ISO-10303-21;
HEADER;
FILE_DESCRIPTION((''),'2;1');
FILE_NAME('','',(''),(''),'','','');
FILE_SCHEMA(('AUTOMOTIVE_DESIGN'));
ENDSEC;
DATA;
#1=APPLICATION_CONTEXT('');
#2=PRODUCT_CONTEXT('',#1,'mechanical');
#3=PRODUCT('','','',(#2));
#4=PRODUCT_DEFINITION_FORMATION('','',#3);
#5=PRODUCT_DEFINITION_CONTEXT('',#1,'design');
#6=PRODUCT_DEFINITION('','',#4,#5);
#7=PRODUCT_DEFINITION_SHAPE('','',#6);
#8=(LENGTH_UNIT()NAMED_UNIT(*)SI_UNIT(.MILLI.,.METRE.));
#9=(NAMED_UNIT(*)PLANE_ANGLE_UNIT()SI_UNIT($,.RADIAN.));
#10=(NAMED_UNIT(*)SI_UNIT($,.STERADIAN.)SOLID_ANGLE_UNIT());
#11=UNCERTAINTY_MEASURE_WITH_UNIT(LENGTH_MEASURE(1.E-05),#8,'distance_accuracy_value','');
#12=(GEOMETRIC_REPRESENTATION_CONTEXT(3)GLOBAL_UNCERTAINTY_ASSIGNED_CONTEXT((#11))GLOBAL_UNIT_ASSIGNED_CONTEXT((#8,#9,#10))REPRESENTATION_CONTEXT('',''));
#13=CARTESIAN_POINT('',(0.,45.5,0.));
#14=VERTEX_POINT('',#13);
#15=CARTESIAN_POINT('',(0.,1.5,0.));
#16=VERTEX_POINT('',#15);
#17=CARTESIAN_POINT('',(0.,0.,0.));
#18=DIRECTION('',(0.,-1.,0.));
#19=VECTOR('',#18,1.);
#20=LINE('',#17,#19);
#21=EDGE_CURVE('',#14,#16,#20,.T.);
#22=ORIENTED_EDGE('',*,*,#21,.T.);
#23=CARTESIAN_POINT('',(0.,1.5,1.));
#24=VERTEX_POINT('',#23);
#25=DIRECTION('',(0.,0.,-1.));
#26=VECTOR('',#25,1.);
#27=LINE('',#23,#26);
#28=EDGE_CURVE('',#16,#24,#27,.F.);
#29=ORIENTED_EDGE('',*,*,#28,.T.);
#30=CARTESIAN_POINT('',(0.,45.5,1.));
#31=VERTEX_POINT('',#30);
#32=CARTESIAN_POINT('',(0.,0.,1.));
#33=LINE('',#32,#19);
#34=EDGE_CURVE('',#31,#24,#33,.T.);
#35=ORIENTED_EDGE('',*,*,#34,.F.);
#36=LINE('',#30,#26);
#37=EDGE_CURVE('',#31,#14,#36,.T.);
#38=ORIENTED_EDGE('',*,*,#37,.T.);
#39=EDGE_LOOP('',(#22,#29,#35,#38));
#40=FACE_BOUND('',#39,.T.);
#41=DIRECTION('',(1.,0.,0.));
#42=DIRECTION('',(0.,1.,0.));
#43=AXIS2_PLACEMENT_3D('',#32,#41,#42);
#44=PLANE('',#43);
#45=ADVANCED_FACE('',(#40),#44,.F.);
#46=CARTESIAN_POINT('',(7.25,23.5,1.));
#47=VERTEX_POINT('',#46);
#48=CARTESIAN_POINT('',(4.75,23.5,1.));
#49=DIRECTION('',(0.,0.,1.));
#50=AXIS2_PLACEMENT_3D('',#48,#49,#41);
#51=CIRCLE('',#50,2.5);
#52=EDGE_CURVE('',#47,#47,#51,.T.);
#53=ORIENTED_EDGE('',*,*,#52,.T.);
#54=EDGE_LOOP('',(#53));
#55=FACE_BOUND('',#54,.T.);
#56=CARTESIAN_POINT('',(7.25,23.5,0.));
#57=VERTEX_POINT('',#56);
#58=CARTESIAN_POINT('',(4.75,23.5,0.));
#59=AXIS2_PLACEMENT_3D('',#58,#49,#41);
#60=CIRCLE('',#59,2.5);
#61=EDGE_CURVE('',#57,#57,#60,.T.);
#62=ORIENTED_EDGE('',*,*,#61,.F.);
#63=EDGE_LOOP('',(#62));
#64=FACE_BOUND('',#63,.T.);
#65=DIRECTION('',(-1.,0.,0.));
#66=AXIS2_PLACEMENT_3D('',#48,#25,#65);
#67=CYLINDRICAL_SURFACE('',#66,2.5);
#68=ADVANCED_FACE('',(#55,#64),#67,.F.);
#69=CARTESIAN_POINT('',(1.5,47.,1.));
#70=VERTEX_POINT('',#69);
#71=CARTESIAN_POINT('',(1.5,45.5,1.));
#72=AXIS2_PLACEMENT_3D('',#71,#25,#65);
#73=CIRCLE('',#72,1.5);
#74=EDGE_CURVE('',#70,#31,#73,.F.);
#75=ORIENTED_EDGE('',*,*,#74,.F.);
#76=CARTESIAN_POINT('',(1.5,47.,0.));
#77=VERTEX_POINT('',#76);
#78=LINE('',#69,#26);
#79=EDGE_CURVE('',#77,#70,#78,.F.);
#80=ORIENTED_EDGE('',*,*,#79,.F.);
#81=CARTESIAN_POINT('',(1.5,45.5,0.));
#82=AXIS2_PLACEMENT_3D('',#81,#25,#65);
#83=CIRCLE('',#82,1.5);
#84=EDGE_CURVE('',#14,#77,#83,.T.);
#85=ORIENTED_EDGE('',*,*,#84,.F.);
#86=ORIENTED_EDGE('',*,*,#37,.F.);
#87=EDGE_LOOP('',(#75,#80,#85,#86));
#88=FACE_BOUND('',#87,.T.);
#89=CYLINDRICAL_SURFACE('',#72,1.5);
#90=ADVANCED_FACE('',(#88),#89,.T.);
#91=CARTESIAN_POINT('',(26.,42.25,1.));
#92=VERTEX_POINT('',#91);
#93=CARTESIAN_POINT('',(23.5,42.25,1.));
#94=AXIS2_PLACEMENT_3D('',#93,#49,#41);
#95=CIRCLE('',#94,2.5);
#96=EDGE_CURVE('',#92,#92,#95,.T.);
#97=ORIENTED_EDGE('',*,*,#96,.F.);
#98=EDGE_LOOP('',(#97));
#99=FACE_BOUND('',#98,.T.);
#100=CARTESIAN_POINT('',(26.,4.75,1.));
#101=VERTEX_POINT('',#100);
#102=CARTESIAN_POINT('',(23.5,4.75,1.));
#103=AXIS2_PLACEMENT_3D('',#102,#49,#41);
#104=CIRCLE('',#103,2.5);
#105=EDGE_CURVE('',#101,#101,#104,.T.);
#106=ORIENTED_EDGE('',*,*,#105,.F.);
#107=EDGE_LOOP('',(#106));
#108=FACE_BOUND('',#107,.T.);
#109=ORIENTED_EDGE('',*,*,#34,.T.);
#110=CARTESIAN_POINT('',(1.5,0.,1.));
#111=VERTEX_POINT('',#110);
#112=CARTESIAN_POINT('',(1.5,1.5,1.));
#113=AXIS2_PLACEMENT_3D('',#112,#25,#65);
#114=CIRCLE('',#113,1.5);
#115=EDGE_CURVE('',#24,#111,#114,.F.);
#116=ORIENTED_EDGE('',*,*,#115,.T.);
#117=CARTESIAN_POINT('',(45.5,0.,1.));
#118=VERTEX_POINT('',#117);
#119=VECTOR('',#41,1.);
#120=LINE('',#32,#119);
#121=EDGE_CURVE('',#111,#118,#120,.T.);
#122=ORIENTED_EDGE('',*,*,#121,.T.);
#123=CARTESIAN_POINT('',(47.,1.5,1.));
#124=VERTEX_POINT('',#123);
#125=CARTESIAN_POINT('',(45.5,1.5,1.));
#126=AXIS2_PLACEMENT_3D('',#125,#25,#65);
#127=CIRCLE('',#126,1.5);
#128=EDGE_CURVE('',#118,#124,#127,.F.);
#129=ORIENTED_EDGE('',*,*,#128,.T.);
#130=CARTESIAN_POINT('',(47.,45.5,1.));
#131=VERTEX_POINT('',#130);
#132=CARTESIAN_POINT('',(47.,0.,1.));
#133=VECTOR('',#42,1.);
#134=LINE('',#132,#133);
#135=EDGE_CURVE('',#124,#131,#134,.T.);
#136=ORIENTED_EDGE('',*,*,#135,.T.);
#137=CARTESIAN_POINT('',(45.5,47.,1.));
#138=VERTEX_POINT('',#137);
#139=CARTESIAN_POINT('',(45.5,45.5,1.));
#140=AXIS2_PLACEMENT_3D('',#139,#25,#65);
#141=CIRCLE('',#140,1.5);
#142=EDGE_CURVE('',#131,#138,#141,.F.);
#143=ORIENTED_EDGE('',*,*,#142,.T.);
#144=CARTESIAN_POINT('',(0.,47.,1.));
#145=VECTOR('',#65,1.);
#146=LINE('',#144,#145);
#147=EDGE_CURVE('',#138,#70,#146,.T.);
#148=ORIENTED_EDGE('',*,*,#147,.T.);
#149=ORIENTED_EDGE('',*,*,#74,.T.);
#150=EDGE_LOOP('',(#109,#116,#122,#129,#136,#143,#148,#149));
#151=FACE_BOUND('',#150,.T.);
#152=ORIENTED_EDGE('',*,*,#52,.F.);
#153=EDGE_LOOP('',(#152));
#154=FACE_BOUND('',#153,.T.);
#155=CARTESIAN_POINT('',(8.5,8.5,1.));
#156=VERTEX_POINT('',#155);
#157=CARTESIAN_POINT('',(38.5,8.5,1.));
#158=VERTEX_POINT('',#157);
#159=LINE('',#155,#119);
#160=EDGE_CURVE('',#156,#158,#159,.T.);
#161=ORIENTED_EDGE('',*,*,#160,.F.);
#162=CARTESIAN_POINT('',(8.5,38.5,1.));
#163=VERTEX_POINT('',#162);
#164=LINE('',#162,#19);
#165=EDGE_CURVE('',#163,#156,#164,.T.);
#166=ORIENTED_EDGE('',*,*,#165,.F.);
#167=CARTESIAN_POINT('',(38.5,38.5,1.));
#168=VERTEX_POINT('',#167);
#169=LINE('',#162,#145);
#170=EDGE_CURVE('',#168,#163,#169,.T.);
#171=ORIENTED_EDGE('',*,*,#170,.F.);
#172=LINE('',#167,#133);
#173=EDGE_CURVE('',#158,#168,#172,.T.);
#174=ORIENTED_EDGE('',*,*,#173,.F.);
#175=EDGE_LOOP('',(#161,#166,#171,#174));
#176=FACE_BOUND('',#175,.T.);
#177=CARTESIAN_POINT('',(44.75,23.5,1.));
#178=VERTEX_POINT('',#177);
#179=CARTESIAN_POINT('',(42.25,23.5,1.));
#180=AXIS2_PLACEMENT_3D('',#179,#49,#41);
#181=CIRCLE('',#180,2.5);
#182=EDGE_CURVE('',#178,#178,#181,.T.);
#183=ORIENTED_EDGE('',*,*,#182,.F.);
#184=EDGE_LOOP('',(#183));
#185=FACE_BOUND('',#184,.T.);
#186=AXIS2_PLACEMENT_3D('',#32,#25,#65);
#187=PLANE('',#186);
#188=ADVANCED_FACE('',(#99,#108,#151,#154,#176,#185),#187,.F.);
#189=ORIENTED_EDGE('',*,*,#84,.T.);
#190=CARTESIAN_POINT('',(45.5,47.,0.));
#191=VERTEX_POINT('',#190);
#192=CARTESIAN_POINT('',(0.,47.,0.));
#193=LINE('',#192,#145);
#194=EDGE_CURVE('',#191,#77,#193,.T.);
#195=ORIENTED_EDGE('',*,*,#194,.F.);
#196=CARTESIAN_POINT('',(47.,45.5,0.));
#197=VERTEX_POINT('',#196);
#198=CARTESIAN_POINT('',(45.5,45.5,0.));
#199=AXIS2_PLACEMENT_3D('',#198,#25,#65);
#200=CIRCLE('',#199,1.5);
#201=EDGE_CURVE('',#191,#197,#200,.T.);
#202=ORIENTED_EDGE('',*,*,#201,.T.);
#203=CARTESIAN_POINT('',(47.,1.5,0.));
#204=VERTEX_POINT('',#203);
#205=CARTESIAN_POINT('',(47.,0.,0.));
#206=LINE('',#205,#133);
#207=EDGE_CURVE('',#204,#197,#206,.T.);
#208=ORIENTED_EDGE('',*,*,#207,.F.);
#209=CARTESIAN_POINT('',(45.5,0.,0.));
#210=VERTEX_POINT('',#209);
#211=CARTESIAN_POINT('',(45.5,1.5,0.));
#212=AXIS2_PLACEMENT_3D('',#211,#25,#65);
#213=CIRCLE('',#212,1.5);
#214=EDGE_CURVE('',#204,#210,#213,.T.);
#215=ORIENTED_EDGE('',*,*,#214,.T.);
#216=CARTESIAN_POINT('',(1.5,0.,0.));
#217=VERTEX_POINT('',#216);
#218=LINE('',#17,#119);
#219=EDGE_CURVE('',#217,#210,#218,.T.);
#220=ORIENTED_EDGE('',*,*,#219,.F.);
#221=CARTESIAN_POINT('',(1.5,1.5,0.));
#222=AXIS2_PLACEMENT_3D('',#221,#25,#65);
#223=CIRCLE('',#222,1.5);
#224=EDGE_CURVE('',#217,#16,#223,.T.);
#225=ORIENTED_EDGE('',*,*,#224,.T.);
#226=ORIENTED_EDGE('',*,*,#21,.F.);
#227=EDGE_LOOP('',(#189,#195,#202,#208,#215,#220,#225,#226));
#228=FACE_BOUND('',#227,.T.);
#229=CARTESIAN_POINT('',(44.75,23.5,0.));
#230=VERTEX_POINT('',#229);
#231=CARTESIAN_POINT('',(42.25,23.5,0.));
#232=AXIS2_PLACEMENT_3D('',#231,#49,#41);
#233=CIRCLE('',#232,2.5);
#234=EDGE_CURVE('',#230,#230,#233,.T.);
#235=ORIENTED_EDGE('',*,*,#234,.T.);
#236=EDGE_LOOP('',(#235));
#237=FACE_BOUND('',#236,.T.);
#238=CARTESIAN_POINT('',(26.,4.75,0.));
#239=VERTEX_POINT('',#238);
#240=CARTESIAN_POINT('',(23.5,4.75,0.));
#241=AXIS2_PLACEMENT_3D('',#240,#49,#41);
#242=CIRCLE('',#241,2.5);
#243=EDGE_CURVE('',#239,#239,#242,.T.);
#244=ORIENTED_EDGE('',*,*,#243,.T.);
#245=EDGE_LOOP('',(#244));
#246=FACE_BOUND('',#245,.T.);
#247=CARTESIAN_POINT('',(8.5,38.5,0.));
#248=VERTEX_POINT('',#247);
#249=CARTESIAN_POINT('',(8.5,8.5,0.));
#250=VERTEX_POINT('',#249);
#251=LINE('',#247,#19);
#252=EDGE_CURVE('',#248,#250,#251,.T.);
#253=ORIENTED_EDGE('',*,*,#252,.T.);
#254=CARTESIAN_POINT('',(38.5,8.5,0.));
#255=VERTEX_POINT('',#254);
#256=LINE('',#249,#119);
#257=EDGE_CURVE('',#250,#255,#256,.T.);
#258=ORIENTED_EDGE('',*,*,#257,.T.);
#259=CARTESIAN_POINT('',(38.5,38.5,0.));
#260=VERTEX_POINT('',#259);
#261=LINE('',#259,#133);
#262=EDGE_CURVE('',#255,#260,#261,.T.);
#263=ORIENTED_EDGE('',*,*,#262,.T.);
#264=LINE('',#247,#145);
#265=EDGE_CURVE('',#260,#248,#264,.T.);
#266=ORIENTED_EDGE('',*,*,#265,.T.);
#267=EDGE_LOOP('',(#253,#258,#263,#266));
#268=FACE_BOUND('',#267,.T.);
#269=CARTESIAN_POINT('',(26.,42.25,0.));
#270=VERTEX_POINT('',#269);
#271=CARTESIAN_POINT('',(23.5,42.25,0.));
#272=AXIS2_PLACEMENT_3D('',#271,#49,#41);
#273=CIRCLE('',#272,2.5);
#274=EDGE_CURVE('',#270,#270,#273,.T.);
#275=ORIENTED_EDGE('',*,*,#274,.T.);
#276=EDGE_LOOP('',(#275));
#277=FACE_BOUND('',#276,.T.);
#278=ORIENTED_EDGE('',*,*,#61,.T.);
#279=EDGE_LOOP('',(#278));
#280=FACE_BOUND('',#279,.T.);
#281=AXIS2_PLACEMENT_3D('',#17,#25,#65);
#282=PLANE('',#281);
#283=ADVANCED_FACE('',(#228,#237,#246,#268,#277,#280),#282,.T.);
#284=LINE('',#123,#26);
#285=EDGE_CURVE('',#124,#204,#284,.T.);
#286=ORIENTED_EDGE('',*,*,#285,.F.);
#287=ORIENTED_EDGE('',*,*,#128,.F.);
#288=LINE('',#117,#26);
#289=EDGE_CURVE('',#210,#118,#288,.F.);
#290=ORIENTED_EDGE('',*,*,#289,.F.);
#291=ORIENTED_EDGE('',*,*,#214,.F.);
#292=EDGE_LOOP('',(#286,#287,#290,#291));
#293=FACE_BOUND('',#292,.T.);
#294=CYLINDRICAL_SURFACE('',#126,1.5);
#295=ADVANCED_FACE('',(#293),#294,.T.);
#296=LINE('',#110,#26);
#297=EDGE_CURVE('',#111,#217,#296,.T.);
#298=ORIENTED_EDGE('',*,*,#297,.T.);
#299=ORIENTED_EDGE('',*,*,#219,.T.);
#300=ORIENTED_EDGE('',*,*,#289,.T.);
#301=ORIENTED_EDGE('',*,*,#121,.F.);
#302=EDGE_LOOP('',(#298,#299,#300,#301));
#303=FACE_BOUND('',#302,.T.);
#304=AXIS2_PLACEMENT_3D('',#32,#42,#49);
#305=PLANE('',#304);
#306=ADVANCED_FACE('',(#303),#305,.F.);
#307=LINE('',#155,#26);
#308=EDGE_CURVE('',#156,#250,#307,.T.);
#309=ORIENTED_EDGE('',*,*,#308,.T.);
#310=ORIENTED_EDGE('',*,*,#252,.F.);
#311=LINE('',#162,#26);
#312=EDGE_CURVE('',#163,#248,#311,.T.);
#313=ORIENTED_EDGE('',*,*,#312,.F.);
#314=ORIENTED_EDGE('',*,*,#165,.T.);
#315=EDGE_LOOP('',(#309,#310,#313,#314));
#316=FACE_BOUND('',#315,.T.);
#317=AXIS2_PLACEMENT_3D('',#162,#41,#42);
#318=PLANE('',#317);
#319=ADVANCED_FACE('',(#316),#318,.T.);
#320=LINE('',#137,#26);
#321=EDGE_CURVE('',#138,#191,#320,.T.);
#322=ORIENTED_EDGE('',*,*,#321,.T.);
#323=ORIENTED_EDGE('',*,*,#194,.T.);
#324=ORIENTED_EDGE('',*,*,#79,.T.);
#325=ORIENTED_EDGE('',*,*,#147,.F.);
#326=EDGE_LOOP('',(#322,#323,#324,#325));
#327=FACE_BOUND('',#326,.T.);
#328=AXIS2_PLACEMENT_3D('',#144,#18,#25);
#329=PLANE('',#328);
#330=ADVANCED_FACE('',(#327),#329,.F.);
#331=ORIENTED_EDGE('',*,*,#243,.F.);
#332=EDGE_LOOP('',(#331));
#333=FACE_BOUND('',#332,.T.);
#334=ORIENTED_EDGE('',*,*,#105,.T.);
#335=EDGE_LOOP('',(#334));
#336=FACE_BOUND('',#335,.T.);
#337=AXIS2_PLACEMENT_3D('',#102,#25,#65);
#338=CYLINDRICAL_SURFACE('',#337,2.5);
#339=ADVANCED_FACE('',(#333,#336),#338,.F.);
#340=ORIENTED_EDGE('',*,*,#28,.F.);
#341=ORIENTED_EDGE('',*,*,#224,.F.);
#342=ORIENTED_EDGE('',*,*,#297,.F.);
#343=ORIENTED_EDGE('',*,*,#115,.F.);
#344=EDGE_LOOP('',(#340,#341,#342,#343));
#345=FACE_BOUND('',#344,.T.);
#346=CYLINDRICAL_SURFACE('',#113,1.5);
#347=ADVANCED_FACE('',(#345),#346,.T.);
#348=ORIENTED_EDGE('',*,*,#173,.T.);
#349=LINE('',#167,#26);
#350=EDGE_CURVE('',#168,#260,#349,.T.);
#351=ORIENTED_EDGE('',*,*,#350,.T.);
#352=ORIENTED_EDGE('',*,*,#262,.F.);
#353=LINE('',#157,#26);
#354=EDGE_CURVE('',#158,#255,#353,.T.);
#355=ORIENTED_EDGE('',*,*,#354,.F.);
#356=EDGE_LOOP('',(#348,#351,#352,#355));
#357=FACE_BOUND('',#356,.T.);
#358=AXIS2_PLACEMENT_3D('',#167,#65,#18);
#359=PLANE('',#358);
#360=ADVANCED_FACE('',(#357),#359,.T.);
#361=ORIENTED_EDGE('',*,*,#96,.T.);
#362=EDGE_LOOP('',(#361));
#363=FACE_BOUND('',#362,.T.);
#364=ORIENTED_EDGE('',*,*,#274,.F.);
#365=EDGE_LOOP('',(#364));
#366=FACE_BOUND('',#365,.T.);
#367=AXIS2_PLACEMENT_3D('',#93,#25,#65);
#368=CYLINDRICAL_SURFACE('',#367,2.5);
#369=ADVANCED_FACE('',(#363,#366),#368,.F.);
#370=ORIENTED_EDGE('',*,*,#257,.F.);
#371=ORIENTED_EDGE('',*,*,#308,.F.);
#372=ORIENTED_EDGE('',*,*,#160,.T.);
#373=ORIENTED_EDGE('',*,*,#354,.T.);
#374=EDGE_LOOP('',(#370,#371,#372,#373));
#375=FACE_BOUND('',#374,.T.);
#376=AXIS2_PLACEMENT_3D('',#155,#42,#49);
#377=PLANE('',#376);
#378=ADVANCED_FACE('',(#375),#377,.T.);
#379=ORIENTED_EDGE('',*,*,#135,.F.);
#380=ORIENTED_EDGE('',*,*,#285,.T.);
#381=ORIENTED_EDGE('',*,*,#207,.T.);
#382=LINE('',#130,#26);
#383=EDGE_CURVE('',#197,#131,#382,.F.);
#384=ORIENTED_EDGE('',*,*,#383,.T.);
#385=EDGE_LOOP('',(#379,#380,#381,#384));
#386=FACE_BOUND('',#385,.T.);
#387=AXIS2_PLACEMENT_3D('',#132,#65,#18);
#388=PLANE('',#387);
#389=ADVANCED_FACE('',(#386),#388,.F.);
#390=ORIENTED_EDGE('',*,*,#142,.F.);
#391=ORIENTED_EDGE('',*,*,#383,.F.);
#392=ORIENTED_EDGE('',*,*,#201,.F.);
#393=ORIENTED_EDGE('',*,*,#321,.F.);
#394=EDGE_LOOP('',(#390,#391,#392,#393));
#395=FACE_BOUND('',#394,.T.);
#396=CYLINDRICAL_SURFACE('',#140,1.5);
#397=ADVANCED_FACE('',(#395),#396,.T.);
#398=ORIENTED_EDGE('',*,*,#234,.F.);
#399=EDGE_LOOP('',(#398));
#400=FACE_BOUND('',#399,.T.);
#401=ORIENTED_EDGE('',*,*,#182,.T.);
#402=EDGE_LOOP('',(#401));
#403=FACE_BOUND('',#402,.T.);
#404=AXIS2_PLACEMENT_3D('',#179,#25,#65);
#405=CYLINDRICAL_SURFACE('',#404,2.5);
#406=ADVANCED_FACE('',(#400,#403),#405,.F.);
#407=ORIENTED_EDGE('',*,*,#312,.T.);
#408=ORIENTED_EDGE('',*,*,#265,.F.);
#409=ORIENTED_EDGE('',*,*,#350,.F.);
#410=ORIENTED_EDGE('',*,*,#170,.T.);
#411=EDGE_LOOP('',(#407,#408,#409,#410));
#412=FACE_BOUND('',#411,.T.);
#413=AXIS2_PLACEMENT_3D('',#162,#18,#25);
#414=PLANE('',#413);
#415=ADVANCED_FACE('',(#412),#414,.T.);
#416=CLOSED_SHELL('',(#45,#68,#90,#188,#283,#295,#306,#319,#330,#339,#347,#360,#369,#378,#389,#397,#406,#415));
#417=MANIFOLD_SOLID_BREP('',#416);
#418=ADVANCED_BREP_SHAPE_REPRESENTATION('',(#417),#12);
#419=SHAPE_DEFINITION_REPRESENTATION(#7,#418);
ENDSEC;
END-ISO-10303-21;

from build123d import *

# Parameters (mm, degrees)
SKETCH1_W           = 47
SKETCH1_H           = 47
SKETCH1_R           = 2.5
SKETCH1_W_2         = 30
SKETCH1_H_2         = 30
BOSS_EXTRUDE1_DEPTH = 1
FILLET1_R           = 1.5


with BuildPart() as part:
    # Sketch1 → Boss-Extrude1 (new body)
    with BuildSketch(Plane.XY):
        with Locations((23.5, 23.5)):
            Rectangle(SKETCH1_W, SKETCH1_H)
        with Locations((23.5, 4.75)):
            Circle(SKETCH1_R, mode=Mode.SUBTRACT)
        with Locations((42.25, 23.5)):
            Circle(SKETCH1_R, mode=Mode.SUBTRACT)
        with Locations((23.5, 42.25)):
            Circle(SKETCH1_R, mode=Mode.SUBTRACT)
        with Locations((4.75, 23.5)):
            Circle(SKETCH1_R, mode=Mode.SUBTRACT)
        with Locations((23.5, 23.5)):
            Rectangle(SKETCH1_W_2, SKETCH1_H_2, mode=Mode.SUBTRACT)
    extrude(amount=BOSS_EXTRUDE1_DEPTH)

    # Fillet1
    fillet1_edges = [part.edges().sort_by_distance(p)[0] for p in [
        (0, 47, 0.5),
        (47, 47, 0.5),
        (47, 0, 0.5),
        (0, 0, 0.5),
    ]]
    fillet(fillet1_edges, radius=FILLET1_R)


solid = part.part
